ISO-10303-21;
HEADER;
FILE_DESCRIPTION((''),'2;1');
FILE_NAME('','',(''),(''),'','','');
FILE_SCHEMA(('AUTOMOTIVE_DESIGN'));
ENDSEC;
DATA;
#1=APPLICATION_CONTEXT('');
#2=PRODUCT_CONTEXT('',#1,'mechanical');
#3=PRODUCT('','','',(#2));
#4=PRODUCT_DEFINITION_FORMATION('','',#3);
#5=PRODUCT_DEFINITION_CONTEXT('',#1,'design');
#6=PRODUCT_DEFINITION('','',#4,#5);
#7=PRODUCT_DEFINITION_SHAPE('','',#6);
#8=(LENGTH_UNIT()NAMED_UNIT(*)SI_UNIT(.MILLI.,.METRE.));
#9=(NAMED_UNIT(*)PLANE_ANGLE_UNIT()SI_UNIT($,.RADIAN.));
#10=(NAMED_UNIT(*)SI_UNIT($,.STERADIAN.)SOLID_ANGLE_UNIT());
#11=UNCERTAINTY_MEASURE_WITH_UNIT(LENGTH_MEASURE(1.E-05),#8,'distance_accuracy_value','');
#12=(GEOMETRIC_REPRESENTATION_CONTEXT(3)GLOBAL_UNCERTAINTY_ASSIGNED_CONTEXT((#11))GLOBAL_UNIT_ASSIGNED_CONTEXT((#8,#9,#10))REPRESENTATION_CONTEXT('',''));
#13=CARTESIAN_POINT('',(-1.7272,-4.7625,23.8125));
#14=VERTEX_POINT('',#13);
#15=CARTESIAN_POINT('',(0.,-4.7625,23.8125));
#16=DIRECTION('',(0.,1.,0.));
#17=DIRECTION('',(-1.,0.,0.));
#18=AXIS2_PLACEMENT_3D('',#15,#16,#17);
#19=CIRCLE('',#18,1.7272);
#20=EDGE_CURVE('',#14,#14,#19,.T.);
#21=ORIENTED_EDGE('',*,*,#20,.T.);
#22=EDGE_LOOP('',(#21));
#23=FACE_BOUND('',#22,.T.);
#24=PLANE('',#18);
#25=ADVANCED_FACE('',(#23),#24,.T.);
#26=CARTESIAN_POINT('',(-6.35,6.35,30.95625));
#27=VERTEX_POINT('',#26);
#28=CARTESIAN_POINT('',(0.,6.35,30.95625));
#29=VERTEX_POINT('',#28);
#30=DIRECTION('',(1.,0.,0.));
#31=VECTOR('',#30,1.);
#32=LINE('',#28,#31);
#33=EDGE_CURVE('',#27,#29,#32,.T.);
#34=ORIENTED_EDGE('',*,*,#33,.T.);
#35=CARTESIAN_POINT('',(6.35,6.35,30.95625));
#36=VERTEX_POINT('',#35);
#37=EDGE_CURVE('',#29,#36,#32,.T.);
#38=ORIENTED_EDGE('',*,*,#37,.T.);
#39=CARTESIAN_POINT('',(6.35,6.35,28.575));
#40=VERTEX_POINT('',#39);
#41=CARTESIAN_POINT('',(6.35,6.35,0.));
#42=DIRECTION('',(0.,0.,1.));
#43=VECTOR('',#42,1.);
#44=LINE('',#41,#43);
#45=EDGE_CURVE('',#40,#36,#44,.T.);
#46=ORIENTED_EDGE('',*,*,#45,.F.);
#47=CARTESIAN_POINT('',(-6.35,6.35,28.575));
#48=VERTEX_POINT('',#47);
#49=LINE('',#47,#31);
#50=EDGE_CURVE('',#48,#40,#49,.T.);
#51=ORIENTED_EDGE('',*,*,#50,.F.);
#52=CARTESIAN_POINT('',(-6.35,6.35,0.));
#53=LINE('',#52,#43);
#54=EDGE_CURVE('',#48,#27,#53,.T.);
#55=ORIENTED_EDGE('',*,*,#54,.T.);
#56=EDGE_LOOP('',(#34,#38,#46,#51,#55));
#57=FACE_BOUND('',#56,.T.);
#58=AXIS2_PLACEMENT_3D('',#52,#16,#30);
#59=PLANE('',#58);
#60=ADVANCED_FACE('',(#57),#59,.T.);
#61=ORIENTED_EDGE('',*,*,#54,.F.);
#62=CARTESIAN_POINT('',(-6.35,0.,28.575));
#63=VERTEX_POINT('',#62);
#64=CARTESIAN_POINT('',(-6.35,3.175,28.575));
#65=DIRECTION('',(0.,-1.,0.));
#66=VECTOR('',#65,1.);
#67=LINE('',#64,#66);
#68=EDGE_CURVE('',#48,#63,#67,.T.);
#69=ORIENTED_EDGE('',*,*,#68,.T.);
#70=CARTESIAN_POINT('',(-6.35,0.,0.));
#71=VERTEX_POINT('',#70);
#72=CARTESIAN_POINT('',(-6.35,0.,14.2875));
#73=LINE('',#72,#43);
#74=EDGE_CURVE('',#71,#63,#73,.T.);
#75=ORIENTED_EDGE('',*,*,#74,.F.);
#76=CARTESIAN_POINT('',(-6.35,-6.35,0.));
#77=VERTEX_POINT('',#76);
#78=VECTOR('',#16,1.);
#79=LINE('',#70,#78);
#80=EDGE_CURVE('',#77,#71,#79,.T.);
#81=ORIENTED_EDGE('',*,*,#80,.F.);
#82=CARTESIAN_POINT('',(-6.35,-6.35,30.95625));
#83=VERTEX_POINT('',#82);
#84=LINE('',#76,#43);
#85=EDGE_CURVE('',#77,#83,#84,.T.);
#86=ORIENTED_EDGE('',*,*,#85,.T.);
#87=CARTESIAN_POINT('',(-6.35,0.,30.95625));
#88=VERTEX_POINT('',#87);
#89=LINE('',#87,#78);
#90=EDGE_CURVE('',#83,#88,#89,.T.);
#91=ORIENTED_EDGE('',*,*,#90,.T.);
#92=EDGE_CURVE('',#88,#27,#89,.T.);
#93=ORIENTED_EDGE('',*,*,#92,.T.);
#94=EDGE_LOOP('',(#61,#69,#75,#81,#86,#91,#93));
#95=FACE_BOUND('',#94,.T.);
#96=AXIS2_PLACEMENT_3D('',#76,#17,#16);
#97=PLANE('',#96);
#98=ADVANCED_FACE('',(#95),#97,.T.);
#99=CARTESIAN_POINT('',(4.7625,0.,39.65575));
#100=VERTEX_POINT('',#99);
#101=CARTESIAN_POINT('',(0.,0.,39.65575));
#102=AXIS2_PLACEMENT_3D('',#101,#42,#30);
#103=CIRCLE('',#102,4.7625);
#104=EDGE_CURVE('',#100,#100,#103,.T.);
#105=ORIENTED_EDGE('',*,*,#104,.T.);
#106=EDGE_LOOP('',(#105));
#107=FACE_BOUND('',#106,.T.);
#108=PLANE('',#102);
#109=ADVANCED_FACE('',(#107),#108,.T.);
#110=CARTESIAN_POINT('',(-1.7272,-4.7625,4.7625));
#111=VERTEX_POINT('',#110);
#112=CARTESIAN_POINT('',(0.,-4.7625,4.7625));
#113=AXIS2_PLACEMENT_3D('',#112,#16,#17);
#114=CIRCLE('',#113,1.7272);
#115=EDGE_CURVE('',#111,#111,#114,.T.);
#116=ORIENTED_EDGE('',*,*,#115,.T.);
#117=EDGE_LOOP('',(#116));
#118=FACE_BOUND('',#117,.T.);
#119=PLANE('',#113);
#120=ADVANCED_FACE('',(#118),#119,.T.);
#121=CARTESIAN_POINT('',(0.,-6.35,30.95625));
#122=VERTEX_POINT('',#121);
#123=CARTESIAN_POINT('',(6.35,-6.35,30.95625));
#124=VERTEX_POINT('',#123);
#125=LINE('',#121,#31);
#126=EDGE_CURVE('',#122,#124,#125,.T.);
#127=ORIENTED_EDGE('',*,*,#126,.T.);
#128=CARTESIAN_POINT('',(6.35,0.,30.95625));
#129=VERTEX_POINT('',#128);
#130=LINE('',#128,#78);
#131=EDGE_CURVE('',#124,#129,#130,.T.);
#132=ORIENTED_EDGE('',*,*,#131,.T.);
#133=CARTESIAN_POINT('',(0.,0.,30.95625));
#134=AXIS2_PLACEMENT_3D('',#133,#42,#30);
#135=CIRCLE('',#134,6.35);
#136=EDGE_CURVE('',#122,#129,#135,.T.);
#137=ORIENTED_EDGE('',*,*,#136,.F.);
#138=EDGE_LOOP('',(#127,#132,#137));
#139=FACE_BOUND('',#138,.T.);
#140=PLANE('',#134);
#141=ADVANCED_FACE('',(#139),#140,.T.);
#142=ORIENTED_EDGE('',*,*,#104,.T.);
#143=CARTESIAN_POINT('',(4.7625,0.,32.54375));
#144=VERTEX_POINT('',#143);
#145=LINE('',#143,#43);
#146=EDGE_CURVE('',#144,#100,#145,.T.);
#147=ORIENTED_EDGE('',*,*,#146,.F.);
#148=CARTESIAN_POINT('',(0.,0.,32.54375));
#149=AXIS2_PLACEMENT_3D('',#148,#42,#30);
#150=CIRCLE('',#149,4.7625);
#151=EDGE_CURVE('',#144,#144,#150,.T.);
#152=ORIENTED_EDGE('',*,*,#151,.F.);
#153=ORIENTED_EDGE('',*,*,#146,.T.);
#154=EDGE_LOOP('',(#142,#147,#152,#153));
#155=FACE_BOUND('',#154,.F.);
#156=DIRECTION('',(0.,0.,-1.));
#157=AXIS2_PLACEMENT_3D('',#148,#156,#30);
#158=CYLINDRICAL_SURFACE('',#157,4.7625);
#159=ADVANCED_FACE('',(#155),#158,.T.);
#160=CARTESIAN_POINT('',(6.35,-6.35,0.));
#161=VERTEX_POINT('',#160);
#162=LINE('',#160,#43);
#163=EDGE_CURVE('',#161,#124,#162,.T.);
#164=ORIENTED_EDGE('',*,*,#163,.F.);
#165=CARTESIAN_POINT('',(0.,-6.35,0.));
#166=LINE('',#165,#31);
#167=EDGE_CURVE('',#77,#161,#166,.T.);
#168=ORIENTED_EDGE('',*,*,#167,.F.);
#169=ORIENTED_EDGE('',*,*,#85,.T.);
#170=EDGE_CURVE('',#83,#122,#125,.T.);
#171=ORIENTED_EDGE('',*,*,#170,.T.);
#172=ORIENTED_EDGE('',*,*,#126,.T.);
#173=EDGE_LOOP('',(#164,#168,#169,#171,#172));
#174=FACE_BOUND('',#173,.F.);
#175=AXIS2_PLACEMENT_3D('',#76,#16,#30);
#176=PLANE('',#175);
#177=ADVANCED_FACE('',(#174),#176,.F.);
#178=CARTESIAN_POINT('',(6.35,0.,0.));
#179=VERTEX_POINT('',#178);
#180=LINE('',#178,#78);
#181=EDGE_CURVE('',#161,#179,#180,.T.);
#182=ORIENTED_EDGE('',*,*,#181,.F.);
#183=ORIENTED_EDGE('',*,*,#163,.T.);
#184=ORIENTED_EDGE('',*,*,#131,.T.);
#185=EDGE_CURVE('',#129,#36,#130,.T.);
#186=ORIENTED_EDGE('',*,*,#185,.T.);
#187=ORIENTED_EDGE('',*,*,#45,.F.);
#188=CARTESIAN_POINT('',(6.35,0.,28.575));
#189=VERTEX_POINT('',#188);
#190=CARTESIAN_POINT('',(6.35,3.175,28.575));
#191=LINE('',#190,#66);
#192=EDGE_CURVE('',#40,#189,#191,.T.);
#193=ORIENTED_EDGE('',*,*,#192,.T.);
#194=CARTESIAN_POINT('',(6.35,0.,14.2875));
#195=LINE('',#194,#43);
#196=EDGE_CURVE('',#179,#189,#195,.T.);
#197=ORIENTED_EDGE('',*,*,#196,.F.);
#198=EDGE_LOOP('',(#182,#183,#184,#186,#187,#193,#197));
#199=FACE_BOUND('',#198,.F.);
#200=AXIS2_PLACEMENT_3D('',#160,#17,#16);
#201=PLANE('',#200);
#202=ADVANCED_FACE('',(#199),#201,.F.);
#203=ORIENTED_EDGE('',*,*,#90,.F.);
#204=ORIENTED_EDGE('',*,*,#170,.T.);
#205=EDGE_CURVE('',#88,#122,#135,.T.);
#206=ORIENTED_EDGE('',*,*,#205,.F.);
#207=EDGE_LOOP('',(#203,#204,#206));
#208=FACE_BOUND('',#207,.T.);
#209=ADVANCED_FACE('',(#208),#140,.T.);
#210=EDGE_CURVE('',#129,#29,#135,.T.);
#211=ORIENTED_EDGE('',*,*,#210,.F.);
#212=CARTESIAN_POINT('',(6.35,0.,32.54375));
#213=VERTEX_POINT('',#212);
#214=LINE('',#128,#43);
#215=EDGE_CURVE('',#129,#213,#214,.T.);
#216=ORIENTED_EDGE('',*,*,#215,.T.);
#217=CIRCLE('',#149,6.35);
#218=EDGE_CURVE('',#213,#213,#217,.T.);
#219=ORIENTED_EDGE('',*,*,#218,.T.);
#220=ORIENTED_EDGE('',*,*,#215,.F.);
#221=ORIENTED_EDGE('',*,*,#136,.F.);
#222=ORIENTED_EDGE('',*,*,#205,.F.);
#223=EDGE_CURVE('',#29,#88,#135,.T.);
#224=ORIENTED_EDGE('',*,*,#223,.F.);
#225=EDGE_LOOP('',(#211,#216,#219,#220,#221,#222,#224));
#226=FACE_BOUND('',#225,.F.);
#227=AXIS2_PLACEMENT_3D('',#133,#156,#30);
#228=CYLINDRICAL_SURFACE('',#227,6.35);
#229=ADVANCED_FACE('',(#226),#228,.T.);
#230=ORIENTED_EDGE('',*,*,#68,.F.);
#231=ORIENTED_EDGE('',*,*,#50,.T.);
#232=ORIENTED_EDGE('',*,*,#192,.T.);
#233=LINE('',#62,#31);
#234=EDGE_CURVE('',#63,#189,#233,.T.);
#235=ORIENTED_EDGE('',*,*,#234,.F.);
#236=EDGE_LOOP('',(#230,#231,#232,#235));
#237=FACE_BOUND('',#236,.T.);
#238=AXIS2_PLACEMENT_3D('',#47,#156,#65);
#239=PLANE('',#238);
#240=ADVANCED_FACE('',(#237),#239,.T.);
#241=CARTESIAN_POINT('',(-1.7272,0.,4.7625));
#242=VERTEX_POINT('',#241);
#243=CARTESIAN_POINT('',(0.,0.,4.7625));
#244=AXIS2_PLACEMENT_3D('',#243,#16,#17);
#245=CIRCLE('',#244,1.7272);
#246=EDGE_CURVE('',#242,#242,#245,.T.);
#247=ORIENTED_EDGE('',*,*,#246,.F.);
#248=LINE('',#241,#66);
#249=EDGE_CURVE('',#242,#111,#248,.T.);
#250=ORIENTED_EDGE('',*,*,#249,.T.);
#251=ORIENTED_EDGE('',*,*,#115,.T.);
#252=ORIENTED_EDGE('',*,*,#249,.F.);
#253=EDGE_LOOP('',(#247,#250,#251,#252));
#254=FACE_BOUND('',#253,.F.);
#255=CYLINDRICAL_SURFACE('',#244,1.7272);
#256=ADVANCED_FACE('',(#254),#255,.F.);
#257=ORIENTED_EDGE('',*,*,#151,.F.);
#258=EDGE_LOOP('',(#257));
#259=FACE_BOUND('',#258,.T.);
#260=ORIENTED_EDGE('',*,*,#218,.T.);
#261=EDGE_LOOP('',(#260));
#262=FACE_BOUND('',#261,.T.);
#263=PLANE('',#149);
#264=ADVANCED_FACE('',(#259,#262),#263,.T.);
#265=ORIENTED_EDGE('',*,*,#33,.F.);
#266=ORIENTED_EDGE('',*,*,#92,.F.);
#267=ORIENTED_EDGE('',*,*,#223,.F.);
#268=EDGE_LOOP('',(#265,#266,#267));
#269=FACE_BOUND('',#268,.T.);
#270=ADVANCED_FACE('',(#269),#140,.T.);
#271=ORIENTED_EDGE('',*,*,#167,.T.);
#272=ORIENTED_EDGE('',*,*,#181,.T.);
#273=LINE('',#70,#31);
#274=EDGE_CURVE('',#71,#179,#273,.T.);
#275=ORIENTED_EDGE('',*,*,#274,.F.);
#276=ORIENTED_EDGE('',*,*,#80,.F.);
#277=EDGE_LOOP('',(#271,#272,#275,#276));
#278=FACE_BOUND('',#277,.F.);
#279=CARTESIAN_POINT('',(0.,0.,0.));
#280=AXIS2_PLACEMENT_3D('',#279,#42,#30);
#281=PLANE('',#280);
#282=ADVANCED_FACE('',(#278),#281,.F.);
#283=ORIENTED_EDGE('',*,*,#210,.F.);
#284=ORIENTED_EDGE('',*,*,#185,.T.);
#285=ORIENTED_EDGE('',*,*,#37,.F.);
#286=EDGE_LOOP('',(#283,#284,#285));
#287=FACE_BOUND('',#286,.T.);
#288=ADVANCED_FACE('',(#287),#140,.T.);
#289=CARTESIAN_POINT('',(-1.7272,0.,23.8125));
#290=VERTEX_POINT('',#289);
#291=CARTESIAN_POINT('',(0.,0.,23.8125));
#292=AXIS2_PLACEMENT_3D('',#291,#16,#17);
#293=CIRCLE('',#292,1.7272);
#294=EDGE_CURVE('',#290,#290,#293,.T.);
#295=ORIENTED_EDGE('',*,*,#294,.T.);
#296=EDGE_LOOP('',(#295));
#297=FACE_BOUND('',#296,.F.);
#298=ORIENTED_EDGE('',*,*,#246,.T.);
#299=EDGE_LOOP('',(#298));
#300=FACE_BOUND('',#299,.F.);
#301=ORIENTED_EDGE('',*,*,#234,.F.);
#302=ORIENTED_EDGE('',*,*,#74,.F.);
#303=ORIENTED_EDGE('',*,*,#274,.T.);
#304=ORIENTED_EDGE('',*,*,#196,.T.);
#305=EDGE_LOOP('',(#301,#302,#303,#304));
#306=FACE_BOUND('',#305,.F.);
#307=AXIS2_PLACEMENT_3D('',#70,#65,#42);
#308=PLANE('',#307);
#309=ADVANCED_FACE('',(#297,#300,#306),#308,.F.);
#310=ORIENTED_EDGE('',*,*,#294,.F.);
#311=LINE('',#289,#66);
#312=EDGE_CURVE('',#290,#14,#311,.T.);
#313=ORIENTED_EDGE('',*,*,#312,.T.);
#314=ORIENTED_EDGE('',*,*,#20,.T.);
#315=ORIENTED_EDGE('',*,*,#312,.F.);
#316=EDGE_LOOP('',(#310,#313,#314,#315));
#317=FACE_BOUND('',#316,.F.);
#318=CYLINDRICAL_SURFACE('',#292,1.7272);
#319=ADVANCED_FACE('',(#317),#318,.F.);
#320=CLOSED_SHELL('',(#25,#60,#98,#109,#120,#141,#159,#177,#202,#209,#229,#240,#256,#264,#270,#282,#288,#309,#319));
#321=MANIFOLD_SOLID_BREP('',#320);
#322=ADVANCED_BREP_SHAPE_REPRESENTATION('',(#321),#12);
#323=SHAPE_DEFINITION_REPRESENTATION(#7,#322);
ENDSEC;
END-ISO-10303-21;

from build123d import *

# Parameters (mm, degrees)
F0_W     = 12.7
F0_H     = 12.7
F1_DEPTH = 30.95625
F2_R     = 6.35
F3_DEPTH = 1.5875
F4_R     = 4.7625
F5_DEPTH = 7.112
F6_W     = 6.35
F6_H     = 28.575
F7_DEPTH = 12.7
F8_R     = 1.7272
F9_DEPTH = 4.7625


with BuildPart() as f1:
    # F0 (on Top) → F1 (new body)
    with BuildSketch(Plane.XY):
        Rectangle(F0_W, F0_H)
    extrude(amount=F1_DEPTH)

    # F2 (on face) → F3 (join)
    with BuildSketch(Plane.XY.offset(30.95625)):
        Circle(F2_R)
    extrude(amount=F3_DEPTH)

    # F4 (on face) → F5 (join)
    with BuildSketch(Plane.XY.offset(32.54375)):
        Circle(F4_R)
    extrude(amount=F5_DEPTH)

    # F6 (on face) → F7 (cut, through all)
    with BuildSketch(Plane(origin=(-6.35, 0, 0), x_dir=(0, -1, 0), z_dir=(-1, 0, 0))):
        with Locations((-3.175, 14.2875)):
            Rectangle(F6_W, F6_H)
    extrude(amount=-F7_DEPTH, mode=Mode.SUBTRACT)

    # F8 (on face) → F9 (cut)
    with BuildSketch(Plane(origin=(0, 0, 0), x_dir=(-1, 0, 0), z_dir=(0, 1, 0))):
        with Locations((0, 23.8125)):
            Circle(F8_R)
        with Locations((0, 4.7625)):
            Circle(F8_R)
    extrude(amount=-F9_DEPTH, mode=Mode.SUBTRACT)


solid = f1.part
